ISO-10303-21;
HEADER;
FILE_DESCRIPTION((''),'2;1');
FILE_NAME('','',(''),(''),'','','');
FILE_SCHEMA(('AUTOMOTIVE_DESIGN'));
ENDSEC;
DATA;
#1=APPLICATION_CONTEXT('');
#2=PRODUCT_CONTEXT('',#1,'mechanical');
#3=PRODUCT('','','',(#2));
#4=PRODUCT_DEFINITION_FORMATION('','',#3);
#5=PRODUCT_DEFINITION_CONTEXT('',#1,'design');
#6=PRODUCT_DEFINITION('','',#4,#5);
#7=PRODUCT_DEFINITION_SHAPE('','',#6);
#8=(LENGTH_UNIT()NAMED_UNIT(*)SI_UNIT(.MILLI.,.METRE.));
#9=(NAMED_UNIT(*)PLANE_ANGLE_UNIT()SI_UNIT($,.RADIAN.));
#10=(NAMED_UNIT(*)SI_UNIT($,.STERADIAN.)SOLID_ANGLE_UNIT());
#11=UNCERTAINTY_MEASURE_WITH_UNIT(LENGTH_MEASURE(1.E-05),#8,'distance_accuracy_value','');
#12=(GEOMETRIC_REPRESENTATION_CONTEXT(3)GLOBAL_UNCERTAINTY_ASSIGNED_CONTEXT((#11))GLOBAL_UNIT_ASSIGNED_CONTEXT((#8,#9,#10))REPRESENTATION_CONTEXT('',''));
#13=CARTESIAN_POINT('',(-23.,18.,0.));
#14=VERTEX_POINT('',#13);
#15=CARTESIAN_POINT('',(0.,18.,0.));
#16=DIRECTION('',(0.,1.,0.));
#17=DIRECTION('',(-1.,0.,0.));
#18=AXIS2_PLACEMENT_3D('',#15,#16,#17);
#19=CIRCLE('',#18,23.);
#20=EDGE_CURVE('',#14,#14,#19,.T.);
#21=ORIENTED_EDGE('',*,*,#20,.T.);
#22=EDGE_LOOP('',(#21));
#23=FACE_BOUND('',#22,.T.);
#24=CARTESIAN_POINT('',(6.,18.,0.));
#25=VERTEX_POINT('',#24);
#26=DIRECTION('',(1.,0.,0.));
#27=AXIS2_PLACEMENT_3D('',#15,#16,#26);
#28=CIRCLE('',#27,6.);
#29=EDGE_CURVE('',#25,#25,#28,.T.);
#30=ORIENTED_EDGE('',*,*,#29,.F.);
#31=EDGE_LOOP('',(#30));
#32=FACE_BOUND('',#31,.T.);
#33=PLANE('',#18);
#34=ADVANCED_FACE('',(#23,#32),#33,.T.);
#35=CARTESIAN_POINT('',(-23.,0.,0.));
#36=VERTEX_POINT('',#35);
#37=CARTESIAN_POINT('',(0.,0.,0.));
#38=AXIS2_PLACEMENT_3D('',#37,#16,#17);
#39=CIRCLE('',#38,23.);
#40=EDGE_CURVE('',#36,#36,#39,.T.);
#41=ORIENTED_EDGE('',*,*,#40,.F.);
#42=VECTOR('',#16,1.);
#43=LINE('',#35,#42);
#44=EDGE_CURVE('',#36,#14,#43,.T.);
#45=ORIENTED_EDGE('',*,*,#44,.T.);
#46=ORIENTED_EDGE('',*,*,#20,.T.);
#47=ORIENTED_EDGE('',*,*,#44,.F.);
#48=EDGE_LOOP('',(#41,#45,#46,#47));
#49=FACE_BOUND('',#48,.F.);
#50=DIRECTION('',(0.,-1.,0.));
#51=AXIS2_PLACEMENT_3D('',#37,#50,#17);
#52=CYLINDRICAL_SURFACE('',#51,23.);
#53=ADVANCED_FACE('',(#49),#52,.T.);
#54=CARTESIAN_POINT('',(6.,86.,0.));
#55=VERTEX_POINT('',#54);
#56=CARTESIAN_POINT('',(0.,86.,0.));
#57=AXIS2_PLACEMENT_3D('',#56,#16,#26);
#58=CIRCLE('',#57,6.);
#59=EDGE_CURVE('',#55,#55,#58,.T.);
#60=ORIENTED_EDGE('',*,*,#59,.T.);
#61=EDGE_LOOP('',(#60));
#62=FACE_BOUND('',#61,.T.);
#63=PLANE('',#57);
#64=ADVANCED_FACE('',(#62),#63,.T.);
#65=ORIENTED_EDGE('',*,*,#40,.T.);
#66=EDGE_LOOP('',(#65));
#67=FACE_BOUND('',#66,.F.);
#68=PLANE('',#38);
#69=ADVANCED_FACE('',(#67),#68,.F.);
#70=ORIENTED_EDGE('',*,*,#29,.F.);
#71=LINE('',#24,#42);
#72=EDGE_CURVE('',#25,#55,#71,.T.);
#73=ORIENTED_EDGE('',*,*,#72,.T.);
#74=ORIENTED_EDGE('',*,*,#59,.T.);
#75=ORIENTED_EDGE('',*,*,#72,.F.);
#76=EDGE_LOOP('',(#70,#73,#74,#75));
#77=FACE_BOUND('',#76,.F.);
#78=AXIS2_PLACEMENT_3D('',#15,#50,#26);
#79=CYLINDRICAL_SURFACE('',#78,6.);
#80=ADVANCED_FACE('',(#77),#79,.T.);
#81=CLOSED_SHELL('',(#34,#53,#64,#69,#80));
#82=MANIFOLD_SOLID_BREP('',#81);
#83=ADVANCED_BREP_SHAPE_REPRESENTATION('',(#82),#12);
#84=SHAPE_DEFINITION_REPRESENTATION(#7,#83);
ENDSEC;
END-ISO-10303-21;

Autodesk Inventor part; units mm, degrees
ref_plane "YZ Plane" through (0, 0, 0) normal (1, 0, 0) x (0, 1, 0)
ref_plane "XZ Plane" through (0, 0, 0) normal (0, 1, 0) x (-1, 0, 0)
ref_plane "XY Plane" through (0, 0, 0) normal (0, 0, 1) x (1, 0, 0)
sketch "Sketch1" plane through (0, 0, 0) normal (0, 1, 0) x (-1, 0, 0)
  circle A0 centre (0, 0) radius 23
  dimension "d0" = 46
extrude "Extrusion1" add sketch "Sketch1" along normal blind 18
sketch "Sketch2" plane through (0, 18, 0) normal (0, 1, 0) x (1, 0, 0)
  circle A0 centre (0, 0) radius 6
  dimension "d3" = 12
extrude "Extrusion2" add sketch "Sketch2" along normal blind 68
properties part number "wheel_86"
